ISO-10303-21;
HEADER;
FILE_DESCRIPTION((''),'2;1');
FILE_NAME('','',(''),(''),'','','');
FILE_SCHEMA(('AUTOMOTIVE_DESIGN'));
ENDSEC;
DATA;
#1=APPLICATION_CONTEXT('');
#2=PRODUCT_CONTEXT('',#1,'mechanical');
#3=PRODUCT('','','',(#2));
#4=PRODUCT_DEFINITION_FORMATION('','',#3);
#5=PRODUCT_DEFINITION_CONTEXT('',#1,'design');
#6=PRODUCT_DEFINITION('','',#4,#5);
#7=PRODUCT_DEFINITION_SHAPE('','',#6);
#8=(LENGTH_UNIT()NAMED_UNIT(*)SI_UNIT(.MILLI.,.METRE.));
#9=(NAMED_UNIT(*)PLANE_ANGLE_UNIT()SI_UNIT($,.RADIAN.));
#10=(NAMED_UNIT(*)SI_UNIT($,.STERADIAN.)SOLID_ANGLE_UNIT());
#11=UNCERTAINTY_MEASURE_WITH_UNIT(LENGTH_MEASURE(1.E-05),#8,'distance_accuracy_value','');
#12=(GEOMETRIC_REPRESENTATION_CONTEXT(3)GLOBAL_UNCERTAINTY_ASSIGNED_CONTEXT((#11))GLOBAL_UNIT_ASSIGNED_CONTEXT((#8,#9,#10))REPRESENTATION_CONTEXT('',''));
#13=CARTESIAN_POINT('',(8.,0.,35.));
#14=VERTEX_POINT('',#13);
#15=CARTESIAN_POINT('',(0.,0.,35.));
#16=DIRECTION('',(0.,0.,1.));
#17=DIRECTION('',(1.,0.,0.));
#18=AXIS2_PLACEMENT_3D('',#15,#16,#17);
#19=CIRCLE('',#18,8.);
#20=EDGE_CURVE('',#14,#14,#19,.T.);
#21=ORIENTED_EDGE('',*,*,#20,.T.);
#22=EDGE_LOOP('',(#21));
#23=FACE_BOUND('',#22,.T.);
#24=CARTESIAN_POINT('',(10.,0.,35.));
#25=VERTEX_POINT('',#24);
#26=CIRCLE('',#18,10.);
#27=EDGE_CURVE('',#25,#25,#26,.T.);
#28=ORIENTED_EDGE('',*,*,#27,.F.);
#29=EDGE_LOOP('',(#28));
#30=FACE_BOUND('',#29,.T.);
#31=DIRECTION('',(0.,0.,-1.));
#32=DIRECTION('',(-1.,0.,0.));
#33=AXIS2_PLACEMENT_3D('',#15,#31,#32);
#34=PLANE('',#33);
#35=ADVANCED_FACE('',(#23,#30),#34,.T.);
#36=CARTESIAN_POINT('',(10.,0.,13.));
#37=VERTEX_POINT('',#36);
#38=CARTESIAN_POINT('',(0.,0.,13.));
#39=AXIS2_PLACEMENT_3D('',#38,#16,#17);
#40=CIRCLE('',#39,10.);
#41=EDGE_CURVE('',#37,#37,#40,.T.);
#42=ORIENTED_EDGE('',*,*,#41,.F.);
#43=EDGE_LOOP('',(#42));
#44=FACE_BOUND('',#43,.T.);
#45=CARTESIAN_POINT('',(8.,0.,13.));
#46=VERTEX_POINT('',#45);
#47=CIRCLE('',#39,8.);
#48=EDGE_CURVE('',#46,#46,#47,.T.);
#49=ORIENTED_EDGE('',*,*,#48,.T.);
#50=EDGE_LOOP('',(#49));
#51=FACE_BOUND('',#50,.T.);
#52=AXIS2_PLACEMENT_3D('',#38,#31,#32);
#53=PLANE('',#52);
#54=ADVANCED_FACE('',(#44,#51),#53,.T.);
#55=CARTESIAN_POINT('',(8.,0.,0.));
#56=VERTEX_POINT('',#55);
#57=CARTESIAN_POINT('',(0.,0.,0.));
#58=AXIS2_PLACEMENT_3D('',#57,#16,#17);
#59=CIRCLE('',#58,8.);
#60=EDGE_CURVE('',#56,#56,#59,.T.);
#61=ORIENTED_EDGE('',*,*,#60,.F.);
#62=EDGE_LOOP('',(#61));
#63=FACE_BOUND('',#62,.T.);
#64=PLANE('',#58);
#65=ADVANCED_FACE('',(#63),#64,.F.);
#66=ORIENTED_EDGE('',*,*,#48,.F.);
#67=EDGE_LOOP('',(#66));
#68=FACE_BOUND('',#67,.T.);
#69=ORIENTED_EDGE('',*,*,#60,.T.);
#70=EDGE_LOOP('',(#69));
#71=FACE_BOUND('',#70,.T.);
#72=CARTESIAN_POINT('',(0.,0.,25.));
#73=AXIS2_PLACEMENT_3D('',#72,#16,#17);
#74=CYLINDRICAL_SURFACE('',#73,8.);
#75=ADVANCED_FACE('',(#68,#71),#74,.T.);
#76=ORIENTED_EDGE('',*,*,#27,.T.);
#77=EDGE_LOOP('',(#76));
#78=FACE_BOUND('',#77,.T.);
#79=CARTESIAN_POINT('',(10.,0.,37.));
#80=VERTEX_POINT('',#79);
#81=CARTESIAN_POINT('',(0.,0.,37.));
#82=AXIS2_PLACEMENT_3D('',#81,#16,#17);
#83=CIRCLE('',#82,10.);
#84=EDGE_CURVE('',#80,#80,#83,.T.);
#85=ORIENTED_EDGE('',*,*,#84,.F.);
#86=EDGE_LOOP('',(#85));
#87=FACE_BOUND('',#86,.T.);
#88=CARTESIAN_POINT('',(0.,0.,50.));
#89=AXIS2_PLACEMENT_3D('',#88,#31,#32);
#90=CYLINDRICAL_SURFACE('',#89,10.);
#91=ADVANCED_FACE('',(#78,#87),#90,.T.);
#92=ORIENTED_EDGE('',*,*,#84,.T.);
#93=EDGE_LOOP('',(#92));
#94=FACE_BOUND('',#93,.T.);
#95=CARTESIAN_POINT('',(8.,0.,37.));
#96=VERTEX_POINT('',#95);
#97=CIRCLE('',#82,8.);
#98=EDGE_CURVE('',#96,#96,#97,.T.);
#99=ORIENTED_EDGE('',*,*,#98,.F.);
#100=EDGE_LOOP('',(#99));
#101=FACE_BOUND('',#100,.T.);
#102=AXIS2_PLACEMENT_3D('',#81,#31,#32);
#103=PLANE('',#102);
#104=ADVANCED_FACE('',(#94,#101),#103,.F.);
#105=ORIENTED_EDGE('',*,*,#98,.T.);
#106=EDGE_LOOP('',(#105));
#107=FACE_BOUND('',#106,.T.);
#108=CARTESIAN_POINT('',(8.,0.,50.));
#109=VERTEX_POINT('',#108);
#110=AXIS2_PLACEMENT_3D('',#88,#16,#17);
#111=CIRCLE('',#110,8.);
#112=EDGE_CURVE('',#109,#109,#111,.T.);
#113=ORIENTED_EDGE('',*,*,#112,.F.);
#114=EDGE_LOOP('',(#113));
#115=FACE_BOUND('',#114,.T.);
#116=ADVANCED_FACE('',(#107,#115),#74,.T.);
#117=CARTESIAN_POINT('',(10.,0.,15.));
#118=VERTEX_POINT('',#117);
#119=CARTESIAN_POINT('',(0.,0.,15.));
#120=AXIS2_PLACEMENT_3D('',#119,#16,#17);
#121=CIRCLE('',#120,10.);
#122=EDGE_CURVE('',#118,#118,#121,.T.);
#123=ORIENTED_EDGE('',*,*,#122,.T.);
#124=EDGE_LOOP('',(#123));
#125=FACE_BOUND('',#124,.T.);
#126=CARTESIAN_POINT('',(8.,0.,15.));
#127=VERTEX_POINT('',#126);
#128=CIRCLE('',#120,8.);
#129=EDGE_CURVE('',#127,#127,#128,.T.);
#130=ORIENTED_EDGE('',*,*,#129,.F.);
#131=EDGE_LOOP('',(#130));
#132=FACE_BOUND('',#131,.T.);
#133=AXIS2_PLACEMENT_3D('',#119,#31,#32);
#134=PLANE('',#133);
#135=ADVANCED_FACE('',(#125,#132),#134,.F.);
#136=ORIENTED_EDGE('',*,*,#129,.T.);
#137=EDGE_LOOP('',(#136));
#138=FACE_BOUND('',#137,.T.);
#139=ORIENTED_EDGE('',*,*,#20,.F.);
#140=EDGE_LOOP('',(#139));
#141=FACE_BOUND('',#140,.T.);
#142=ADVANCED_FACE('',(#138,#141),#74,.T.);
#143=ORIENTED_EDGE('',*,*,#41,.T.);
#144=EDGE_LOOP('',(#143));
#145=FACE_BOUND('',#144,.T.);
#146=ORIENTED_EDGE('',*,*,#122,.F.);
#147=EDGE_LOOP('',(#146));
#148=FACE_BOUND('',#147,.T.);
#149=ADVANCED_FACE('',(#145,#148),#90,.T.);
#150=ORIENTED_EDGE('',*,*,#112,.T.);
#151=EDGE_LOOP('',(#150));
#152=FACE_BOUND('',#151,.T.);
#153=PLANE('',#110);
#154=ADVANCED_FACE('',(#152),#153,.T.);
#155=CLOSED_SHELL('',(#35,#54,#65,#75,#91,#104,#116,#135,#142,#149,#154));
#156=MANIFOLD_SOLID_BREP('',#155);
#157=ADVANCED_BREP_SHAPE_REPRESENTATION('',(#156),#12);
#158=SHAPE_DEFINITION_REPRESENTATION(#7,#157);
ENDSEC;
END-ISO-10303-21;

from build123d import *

# Parameters (mm, degrees)
SKETCH1_R           = 10
BOSS_EXTRUDE1_DEPTH = 50
SKETCH2_W           = 13
SKETCH2_H           = 2
SKETCH2_W_2         = 20


with BuildPart() as part:
    # Sketch1 → Boss-Extrude1 (new body)
    with BuildSketch(Plane.XY):
        Circle(SKETCH1_R)
    extrude(amount=BOSS_EXTRUDE1_DEPTH)

    # Sketch2 → Cut-Revolve1 (revolve, cut)
    with BuildSketch(Plane(origin=(0, 0, 0), x_dir=(0, 0, -1), z_dir=(1, 0, 0)), mode=Mode.PRIVATE) as cut_revolve1_sk:
        with Locations((-43.5, 9)):
            Rectangle(SKETCH2_W, SKETCH2_H)
        with Locations((-25, 9)):
            Rectangle(SKETCH2_W_2, SKETCH2_H)
        with Locations((-6.5, 9)):
            Rectangle(SKETCH2_W, SKETCH2_H)
    revolve(cut_revolve1_sk.sketch.rotate(Axis((0, 0, 25), (0, 0, -1)), 90), axis=Axis((0, 0, 25), (0, 0, -1)), mode=Mode.SUBTRACT)


solid = part.part
